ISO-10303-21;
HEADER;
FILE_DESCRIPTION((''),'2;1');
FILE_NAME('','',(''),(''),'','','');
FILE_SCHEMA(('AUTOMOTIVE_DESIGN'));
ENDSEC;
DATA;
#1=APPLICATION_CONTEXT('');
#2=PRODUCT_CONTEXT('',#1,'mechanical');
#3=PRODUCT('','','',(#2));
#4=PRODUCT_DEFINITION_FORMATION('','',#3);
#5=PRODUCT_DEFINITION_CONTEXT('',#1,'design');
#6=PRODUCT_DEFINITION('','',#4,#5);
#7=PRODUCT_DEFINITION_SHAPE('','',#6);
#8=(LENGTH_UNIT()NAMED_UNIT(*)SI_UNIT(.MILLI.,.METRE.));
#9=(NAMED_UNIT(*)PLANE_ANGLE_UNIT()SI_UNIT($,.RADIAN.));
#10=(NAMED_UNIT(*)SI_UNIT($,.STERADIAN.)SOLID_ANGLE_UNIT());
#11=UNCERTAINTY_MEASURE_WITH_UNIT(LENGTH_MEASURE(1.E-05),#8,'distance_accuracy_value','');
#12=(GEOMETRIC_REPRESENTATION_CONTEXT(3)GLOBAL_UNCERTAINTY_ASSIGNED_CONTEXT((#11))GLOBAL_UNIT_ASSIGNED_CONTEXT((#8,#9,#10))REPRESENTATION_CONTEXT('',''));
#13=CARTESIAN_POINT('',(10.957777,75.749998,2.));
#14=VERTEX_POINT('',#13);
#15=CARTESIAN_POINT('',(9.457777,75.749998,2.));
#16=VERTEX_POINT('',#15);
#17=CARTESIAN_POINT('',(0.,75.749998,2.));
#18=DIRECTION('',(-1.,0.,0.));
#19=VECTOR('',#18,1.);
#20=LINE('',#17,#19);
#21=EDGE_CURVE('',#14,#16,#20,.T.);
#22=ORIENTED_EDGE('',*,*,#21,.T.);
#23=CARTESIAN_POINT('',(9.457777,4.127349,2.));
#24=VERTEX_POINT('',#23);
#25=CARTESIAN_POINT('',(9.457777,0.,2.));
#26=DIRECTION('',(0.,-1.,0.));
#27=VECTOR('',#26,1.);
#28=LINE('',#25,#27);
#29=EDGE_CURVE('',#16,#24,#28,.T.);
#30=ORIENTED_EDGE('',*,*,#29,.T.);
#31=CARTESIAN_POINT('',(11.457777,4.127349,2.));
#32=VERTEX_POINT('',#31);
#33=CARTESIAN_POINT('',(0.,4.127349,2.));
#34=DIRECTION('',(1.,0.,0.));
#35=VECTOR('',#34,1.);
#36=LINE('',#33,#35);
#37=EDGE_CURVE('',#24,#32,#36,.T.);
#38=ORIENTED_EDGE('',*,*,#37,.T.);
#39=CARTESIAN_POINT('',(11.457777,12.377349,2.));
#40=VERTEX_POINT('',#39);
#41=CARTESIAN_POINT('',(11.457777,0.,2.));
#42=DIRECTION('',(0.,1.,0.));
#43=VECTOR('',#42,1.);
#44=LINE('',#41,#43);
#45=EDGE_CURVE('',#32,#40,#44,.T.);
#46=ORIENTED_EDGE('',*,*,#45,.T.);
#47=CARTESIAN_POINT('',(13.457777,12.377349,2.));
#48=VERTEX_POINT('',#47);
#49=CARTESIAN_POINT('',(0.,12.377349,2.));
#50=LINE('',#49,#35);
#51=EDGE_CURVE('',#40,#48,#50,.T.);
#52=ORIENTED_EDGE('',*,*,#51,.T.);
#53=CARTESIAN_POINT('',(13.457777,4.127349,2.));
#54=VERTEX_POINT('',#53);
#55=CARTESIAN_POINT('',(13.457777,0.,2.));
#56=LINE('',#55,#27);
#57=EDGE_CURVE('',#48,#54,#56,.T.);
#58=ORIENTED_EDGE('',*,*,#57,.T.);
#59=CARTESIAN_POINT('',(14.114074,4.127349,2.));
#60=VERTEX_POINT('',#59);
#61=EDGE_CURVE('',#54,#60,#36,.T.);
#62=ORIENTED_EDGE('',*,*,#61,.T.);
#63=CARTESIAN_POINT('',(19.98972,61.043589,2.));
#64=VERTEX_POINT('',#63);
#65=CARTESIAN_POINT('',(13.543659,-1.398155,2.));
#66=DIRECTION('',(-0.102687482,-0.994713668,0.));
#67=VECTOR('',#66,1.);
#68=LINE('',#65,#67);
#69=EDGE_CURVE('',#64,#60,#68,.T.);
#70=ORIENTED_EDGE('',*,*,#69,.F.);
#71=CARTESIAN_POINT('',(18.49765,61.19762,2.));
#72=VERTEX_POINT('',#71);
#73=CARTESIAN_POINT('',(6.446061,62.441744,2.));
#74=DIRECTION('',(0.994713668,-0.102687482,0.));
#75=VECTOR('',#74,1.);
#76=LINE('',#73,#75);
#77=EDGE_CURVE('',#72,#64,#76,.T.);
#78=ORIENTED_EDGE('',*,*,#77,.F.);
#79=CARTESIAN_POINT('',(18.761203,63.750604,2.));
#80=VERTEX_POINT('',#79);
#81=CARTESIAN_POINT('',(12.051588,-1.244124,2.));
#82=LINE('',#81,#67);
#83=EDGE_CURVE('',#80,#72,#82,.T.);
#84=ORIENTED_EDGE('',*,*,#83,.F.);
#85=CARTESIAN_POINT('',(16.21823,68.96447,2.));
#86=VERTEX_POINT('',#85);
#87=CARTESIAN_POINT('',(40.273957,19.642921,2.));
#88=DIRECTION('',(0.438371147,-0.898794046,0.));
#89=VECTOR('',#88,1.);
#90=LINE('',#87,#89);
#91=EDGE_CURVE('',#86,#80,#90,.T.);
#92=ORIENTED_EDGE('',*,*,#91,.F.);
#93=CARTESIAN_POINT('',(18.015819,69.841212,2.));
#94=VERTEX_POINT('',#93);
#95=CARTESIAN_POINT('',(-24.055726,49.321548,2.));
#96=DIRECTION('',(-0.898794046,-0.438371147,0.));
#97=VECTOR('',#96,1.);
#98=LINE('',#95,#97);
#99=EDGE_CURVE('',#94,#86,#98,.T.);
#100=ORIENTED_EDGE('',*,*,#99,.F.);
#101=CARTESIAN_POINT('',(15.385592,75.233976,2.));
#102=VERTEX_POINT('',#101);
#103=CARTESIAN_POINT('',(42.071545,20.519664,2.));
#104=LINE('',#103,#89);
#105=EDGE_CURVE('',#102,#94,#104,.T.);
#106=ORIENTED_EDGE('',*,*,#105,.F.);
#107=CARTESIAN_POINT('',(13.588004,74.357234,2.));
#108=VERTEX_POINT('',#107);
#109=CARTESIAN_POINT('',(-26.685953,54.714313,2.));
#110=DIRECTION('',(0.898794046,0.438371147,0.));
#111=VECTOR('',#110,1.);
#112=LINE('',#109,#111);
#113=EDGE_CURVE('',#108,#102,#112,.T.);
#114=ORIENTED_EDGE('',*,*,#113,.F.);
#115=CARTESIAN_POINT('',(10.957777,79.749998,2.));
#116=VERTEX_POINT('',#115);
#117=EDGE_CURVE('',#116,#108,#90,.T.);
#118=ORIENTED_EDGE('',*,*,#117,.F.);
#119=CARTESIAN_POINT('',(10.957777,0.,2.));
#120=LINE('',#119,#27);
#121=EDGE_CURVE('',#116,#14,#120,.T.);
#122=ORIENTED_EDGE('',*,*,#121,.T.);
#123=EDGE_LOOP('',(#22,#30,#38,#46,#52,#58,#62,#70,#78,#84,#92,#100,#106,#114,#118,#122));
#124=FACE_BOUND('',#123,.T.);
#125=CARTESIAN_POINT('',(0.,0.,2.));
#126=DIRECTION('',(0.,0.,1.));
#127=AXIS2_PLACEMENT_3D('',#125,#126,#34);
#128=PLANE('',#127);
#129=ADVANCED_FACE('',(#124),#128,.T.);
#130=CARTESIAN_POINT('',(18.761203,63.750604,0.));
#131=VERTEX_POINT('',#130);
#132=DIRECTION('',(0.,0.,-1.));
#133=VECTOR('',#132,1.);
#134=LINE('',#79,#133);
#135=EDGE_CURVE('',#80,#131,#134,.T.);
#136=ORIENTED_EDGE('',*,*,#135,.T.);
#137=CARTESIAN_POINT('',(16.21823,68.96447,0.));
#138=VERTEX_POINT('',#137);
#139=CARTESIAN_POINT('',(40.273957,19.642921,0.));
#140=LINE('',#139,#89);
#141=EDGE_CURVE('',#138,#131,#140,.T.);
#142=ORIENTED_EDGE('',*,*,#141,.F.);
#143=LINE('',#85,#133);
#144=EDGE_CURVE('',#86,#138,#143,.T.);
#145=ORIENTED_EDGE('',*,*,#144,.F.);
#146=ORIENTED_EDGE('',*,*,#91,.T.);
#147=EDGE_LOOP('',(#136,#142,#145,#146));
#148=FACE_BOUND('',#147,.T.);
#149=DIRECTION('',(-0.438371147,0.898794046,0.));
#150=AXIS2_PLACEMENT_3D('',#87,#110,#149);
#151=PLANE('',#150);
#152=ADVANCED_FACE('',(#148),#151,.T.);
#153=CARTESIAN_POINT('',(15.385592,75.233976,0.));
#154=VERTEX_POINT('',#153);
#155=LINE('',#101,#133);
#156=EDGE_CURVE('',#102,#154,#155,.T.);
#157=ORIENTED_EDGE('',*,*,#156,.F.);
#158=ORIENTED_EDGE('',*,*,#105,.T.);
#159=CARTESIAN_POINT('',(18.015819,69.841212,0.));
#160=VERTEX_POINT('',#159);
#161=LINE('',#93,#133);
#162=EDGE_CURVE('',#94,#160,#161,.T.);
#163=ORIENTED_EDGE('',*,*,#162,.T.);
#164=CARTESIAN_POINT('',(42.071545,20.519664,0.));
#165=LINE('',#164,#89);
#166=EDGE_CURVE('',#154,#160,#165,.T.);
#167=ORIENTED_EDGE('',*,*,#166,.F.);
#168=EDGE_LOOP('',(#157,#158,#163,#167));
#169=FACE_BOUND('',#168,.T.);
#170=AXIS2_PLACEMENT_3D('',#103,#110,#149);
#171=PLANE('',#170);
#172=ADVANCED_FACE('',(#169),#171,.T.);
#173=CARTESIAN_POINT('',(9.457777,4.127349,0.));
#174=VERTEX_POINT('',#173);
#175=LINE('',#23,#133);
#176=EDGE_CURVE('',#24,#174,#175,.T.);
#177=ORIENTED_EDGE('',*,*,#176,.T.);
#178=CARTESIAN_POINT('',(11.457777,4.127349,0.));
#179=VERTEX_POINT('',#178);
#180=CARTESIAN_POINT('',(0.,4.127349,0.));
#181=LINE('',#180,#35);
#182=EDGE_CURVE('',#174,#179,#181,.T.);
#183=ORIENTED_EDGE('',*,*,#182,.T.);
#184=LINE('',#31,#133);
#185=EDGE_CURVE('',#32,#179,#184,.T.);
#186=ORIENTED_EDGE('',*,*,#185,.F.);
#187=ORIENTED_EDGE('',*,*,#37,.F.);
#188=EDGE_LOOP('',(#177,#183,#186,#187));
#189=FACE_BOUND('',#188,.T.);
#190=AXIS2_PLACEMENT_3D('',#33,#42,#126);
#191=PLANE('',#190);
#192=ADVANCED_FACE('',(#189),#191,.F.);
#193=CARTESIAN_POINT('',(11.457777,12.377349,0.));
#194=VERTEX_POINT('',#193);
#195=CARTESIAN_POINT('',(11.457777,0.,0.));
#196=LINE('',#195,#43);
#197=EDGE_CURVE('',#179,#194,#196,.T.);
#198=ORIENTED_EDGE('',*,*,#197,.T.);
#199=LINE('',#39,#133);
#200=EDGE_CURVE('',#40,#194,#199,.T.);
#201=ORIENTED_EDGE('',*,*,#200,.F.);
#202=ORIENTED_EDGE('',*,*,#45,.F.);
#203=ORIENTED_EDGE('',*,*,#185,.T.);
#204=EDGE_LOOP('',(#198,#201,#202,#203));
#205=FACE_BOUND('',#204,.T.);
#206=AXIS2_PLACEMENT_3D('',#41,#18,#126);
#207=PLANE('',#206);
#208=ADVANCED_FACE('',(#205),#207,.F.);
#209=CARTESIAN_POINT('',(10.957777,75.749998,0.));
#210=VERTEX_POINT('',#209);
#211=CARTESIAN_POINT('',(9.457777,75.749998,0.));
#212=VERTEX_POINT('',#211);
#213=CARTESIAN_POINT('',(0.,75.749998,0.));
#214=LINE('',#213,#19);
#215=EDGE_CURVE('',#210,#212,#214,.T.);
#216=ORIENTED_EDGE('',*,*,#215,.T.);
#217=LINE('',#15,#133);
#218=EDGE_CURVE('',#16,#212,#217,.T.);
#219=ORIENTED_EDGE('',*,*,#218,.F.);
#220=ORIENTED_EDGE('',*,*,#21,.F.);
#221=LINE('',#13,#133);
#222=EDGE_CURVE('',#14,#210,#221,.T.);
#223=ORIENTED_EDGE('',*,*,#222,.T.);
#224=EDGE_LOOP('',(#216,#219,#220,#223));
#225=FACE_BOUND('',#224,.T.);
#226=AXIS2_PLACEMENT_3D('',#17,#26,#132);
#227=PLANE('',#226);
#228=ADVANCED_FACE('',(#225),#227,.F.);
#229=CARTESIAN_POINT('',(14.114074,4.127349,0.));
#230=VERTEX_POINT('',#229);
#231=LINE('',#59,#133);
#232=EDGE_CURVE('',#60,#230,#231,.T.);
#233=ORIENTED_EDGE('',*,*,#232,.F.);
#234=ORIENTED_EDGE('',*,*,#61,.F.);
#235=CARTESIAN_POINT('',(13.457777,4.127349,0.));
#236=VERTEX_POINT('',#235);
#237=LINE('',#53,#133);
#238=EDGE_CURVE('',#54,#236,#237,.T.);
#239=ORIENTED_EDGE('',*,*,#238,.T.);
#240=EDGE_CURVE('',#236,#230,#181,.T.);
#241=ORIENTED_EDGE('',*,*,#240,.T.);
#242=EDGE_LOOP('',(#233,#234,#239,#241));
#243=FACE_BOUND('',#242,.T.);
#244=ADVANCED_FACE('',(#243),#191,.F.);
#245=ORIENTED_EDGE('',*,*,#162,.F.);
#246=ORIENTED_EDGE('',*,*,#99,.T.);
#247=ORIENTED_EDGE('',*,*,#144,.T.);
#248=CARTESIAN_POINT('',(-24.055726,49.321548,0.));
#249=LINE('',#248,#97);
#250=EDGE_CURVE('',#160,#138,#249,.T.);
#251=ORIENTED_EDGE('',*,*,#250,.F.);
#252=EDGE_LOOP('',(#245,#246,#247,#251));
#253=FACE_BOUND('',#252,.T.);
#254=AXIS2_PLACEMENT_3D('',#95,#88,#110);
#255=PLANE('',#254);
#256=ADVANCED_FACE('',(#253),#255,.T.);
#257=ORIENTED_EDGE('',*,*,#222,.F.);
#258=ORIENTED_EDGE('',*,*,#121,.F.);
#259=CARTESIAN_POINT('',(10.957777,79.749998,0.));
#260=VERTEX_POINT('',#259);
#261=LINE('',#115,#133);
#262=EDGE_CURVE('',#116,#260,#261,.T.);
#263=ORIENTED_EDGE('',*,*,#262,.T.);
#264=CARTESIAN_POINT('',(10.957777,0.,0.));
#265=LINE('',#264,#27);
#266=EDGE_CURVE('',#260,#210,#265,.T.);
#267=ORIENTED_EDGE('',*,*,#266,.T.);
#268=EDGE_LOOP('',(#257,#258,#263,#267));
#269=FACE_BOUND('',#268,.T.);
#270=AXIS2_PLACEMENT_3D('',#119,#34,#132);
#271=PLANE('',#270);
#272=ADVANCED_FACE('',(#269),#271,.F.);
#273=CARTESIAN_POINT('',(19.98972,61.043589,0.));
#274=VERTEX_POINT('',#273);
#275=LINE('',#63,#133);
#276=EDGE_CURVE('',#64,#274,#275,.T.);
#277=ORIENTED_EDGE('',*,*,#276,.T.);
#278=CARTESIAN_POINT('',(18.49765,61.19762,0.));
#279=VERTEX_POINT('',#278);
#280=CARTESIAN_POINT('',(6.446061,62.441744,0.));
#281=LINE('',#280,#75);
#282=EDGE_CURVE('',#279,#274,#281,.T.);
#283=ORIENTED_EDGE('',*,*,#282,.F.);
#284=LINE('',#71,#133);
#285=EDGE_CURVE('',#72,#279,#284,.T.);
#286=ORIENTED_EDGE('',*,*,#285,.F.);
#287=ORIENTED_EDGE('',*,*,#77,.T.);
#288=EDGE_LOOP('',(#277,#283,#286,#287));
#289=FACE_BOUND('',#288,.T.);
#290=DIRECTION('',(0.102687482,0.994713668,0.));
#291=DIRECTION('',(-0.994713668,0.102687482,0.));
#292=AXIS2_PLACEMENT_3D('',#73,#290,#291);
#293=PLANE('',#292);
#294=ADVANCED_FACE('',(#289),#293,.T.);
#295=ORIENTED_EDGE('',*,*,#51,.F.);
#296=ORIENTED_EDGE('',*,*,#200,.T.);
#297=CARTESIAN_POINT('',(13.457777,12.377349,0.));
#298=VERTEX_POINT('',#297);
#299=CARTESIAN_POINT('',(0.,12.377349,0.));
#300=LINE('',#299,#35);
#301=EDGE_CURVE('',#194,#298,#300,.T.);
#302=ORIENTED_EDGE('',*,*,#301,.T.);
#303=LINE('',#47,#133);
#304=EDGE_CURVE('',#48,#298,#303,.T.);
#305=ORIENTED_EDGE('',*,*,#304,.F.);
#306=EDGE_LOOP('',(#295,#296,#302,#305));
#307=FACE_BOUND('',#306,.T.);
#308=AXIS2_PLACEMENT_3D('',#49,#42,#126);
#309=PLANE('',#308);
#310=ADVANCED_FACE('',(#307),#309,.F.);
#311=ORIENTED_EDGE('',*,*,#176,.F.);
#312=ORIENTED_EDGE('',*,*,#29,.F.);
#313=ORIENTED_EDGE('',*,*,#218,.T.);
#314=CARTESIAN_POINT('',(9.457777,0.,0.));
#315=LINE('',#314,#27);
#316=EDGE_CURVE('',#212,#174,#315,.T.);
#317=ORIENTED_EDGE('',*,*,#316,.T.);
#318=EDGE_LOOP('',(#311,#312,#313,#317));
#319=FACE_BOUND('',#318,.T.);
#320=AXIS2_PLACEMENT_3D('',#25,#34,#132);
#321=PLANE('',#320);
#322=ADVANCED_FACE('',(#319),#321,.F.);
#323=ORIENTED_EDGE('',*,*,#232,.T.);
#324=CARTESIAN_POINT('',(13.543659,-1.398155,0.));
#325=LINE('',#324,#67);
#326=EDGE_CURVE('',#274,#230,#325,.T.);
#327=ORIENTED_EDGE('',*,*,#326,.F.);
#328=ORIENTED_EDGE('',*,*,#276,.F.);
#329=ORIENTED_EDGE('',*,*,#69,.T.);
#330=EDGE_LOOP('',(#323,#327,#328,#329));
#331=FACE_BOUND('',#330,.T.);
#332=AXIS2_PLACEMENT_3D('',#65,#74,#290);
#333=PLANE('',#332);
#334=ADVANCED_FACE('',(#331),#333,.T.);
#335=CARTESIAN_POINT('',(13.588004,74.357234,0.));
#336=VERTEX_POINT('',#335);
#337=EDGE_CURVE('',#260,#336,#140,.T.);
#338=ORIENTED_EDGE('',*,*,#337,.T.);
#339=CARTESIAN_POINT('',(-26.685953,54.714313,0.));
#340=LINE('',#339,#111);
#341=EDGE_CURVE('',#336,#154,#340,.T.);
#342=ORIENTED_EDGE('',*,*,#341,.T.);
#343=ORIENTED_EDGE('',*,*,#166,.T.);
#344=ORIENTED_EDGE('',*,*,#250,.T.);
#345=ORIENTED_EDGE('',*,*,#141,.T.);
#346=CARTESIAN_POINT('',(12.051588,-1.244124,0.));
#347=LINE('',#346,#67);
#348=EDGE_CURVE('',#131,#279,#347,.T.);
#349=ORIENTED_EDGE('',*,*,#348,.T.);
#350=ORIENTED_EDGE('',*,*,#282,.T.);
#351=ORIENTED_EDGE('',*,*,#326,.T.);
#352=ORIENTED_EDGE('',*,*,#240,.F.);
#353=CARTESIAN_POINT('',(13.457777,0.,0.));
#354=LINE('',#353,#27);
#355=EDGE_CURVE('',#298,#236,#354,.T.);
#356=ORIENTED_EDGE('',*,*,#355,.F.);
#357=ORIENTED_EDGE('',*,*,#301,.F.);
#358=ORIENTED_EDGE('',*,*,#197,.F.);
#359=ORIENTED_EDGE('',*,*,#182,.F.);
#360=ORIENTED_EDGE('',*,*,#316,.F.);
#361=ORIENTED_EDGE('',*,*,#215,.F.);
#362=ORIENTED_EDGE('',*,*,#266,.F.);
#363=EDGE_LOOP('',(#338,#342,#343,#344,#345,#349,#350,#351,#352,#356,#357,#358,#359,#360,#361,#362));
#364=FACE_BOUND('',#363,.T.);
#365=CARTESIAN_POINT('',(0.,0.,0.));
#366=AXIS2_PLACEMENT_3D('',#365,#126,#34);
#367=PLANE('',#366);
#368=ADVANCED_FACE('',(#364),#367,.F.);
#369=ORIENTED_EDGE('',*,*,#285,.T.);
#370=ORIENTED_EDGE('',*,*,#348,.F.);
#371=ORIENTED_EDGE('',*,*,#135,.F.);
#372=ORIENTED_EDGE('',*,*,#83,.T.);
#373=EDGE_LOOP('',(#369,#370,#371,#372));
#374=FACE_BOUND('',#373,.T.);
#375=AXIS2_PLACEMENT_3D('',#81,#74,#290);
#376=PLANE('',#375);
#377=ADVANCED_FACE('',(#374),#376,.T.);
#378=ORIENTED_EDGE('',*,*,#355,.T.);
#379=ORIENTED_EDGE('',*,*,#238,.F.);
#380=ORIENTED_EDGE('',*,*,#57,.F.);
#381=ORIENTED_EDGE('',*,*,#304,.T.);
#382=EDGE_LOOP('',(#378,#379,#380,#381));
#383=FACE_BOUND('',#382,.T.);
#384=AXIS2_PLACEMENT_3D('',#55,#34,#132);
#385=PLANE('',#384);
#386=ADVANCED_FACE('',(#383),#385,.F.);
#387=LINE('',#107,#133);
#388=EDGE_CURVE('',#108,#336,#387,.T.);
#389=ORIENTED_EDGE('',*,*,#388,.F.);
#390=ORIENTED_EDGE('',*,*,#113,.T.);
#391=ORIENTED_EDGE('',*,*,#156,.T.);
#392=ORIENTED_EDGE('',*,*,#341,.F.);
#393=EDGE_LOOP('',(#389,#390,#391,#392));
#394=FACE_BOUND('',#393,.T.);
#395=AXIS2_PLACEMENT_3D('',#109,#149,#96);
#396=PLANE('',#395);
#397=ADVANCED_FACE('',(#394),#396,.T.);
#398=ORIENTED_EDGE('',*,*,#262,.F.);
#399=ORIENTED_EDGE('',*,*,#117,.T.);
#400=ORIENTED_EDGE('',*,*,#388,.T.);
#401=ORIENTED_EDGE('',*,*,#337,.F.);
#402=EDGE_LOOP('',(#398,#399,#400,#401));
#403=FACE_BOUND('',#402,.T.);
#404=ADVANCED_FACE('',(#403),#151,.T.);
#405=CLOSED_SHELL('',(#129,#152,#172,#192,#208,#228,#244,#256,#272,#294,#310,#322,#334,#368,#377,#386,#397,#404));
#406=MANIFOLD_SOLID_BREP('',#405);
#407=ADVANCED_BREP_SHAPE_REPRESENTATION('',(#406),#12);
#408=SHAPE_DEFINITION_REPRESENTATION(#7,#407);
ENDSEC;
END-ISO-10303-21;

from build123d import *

# Parameters (mm, degrees)
EXTRUDE_1_DEPTH = 2


with BuildPart() as part:
    # 草图1 → 凸台-拉伸1 (new body)
    with BuildSketch(Plane.XY):
        Polygon((18.497649747, 61.197619752), (19.989720249, 61.04358853), (14.114074341, 4.12734925), (13.457776659, 4.12734925), (13.457776659, 12.37734925), (11.457776659, 12.37734925), (11.457776659, 4.12734925), (9.457776659, 4.12734925), (9.457776659, 75.749998121), (10.957776659, 75.749998121), (10.957776659, 79.749998121), (13.588003541, 74.357233843), (15.385591633, 75.233976137), (18.015818513, 69.841211859), (16.218230421, 68.964469566), (18.761202511, 63.750604121), align=None)
    extrude(amount=EXTRUDE_1_DEPTH)


solid = part.part
